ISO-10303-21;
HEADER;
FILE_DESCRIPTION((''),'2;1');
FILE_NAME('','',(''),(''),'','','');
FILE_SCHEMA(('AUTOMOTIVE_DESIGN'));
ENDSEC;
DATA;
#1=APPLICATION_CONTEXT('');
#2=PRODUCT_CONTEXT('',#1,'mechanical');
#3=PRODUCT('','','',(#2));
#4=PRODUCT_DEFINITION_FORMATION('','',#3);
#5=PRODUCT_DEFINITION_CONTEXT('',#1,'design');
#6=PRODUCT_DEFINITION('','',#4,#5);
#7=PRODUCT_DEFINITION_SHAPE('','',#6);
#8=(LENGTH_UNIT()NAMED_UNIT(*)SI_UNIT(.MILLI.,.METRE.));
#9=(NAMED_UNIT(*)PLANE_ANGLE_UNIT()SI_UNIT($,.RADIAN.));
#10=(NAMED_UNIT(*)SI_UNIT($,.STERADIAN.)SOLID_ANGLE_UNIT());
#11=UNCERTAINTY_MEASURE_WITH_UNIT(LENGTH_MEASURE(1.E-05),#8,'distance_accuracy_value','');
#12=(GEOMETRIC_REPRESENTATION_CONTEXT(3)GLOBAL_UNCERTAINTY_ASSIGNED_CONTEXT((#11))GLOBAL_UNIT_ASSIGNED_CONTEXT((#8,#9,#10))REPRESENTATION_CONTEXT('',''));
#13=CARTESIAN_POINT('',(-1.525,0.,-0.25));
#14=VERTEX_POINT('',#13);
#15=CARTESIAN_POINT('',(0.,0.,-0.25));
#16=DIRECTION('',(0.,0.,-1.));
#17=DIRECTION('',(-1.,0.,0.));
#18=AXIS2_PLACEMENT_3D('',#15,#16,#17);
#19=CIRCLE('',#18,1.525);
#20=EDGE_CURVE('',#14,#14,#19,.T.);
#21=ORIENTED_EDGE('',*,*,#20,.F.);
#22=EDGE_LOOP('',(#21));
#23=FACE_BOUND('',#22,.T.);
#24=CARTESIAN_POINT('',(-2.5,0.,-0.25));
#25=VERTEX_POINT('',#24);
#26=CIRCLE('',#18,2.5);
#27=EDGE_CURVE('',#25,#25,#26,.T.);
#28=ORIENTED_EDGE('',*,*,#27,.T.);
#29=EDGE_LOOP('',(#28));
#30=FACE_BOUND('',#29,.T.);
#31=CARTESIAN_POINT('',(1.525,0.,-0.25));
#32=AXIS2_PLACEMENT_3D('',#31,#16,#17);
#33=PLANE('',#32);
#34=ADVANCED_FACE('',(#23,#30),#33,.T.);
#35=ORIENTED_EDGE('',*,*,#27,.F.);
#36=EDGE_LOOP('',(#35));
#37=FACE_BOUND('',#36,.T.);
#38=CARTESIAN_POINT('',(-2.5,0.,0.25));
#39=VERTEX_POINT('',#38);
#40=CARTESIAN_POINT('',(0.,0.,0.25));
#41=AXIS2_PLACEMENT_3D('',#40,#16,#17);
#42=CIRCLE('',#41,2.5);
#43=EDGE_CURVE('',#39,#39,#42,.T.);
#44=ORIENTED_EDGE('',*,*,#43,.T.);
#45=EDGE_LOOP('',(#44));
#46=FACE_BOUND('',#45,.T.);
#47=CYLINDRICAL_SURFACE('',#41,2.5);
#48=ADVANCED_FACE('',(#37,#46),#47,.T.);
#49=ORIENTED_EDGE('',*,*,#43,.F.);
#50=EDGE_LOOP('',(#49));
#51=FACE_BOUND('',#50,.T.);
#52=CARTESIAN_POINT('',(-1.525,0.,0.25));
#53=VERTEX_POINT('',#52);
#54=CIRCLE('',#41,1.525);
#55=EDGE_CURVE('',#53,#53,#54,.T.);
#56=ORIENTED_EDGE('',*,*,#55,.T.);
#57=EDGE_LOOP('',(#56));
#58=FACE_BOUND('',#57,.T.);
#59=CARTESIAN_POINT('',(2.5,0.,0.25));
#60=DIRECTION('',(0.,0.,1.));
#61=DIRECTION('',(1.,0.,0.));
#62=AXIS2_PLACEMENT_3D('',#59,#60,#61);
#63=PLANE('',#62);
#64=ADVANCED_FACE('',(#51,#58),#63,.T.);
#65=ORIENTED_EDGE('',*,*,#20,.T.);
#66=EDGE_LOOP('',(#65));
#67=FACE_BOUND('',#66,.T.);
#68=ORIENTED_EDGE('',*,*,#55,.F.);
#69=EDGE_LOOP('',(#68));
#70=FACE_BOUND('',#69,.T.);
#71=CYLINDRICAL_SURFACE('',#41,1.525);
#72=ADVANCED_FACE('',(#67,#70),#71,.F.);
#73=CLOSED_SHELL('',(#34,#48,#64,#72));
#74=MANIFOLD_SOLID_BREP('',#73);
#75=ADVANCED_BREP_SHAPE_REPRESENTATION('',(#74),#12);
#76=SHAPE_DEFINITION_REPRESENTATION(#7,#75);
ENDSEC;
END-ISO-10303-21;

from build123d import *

# Parameters (mm, degrees)
SKETCH1_W = 0.975
SKETCH1_H = 0.5


with BuildPart() as part:
    # Sketch1 → Revolve1 (revolve)
    with BuildSketch(Plane.XZ, mode=Mode.PRIVATE) as revolve1_sk:
        with Locations((2.0125, 0)):
            Rectangle(SKETCH1_W, SKETCH1_H)
    revolve(revolve1_sk.sketch.rotate(Axis((0, 0, 0.25), (0, 0, -1)), 180), axis=Axis((0, 0, 0.25), (0, 0, -1)))


solid = part.part
